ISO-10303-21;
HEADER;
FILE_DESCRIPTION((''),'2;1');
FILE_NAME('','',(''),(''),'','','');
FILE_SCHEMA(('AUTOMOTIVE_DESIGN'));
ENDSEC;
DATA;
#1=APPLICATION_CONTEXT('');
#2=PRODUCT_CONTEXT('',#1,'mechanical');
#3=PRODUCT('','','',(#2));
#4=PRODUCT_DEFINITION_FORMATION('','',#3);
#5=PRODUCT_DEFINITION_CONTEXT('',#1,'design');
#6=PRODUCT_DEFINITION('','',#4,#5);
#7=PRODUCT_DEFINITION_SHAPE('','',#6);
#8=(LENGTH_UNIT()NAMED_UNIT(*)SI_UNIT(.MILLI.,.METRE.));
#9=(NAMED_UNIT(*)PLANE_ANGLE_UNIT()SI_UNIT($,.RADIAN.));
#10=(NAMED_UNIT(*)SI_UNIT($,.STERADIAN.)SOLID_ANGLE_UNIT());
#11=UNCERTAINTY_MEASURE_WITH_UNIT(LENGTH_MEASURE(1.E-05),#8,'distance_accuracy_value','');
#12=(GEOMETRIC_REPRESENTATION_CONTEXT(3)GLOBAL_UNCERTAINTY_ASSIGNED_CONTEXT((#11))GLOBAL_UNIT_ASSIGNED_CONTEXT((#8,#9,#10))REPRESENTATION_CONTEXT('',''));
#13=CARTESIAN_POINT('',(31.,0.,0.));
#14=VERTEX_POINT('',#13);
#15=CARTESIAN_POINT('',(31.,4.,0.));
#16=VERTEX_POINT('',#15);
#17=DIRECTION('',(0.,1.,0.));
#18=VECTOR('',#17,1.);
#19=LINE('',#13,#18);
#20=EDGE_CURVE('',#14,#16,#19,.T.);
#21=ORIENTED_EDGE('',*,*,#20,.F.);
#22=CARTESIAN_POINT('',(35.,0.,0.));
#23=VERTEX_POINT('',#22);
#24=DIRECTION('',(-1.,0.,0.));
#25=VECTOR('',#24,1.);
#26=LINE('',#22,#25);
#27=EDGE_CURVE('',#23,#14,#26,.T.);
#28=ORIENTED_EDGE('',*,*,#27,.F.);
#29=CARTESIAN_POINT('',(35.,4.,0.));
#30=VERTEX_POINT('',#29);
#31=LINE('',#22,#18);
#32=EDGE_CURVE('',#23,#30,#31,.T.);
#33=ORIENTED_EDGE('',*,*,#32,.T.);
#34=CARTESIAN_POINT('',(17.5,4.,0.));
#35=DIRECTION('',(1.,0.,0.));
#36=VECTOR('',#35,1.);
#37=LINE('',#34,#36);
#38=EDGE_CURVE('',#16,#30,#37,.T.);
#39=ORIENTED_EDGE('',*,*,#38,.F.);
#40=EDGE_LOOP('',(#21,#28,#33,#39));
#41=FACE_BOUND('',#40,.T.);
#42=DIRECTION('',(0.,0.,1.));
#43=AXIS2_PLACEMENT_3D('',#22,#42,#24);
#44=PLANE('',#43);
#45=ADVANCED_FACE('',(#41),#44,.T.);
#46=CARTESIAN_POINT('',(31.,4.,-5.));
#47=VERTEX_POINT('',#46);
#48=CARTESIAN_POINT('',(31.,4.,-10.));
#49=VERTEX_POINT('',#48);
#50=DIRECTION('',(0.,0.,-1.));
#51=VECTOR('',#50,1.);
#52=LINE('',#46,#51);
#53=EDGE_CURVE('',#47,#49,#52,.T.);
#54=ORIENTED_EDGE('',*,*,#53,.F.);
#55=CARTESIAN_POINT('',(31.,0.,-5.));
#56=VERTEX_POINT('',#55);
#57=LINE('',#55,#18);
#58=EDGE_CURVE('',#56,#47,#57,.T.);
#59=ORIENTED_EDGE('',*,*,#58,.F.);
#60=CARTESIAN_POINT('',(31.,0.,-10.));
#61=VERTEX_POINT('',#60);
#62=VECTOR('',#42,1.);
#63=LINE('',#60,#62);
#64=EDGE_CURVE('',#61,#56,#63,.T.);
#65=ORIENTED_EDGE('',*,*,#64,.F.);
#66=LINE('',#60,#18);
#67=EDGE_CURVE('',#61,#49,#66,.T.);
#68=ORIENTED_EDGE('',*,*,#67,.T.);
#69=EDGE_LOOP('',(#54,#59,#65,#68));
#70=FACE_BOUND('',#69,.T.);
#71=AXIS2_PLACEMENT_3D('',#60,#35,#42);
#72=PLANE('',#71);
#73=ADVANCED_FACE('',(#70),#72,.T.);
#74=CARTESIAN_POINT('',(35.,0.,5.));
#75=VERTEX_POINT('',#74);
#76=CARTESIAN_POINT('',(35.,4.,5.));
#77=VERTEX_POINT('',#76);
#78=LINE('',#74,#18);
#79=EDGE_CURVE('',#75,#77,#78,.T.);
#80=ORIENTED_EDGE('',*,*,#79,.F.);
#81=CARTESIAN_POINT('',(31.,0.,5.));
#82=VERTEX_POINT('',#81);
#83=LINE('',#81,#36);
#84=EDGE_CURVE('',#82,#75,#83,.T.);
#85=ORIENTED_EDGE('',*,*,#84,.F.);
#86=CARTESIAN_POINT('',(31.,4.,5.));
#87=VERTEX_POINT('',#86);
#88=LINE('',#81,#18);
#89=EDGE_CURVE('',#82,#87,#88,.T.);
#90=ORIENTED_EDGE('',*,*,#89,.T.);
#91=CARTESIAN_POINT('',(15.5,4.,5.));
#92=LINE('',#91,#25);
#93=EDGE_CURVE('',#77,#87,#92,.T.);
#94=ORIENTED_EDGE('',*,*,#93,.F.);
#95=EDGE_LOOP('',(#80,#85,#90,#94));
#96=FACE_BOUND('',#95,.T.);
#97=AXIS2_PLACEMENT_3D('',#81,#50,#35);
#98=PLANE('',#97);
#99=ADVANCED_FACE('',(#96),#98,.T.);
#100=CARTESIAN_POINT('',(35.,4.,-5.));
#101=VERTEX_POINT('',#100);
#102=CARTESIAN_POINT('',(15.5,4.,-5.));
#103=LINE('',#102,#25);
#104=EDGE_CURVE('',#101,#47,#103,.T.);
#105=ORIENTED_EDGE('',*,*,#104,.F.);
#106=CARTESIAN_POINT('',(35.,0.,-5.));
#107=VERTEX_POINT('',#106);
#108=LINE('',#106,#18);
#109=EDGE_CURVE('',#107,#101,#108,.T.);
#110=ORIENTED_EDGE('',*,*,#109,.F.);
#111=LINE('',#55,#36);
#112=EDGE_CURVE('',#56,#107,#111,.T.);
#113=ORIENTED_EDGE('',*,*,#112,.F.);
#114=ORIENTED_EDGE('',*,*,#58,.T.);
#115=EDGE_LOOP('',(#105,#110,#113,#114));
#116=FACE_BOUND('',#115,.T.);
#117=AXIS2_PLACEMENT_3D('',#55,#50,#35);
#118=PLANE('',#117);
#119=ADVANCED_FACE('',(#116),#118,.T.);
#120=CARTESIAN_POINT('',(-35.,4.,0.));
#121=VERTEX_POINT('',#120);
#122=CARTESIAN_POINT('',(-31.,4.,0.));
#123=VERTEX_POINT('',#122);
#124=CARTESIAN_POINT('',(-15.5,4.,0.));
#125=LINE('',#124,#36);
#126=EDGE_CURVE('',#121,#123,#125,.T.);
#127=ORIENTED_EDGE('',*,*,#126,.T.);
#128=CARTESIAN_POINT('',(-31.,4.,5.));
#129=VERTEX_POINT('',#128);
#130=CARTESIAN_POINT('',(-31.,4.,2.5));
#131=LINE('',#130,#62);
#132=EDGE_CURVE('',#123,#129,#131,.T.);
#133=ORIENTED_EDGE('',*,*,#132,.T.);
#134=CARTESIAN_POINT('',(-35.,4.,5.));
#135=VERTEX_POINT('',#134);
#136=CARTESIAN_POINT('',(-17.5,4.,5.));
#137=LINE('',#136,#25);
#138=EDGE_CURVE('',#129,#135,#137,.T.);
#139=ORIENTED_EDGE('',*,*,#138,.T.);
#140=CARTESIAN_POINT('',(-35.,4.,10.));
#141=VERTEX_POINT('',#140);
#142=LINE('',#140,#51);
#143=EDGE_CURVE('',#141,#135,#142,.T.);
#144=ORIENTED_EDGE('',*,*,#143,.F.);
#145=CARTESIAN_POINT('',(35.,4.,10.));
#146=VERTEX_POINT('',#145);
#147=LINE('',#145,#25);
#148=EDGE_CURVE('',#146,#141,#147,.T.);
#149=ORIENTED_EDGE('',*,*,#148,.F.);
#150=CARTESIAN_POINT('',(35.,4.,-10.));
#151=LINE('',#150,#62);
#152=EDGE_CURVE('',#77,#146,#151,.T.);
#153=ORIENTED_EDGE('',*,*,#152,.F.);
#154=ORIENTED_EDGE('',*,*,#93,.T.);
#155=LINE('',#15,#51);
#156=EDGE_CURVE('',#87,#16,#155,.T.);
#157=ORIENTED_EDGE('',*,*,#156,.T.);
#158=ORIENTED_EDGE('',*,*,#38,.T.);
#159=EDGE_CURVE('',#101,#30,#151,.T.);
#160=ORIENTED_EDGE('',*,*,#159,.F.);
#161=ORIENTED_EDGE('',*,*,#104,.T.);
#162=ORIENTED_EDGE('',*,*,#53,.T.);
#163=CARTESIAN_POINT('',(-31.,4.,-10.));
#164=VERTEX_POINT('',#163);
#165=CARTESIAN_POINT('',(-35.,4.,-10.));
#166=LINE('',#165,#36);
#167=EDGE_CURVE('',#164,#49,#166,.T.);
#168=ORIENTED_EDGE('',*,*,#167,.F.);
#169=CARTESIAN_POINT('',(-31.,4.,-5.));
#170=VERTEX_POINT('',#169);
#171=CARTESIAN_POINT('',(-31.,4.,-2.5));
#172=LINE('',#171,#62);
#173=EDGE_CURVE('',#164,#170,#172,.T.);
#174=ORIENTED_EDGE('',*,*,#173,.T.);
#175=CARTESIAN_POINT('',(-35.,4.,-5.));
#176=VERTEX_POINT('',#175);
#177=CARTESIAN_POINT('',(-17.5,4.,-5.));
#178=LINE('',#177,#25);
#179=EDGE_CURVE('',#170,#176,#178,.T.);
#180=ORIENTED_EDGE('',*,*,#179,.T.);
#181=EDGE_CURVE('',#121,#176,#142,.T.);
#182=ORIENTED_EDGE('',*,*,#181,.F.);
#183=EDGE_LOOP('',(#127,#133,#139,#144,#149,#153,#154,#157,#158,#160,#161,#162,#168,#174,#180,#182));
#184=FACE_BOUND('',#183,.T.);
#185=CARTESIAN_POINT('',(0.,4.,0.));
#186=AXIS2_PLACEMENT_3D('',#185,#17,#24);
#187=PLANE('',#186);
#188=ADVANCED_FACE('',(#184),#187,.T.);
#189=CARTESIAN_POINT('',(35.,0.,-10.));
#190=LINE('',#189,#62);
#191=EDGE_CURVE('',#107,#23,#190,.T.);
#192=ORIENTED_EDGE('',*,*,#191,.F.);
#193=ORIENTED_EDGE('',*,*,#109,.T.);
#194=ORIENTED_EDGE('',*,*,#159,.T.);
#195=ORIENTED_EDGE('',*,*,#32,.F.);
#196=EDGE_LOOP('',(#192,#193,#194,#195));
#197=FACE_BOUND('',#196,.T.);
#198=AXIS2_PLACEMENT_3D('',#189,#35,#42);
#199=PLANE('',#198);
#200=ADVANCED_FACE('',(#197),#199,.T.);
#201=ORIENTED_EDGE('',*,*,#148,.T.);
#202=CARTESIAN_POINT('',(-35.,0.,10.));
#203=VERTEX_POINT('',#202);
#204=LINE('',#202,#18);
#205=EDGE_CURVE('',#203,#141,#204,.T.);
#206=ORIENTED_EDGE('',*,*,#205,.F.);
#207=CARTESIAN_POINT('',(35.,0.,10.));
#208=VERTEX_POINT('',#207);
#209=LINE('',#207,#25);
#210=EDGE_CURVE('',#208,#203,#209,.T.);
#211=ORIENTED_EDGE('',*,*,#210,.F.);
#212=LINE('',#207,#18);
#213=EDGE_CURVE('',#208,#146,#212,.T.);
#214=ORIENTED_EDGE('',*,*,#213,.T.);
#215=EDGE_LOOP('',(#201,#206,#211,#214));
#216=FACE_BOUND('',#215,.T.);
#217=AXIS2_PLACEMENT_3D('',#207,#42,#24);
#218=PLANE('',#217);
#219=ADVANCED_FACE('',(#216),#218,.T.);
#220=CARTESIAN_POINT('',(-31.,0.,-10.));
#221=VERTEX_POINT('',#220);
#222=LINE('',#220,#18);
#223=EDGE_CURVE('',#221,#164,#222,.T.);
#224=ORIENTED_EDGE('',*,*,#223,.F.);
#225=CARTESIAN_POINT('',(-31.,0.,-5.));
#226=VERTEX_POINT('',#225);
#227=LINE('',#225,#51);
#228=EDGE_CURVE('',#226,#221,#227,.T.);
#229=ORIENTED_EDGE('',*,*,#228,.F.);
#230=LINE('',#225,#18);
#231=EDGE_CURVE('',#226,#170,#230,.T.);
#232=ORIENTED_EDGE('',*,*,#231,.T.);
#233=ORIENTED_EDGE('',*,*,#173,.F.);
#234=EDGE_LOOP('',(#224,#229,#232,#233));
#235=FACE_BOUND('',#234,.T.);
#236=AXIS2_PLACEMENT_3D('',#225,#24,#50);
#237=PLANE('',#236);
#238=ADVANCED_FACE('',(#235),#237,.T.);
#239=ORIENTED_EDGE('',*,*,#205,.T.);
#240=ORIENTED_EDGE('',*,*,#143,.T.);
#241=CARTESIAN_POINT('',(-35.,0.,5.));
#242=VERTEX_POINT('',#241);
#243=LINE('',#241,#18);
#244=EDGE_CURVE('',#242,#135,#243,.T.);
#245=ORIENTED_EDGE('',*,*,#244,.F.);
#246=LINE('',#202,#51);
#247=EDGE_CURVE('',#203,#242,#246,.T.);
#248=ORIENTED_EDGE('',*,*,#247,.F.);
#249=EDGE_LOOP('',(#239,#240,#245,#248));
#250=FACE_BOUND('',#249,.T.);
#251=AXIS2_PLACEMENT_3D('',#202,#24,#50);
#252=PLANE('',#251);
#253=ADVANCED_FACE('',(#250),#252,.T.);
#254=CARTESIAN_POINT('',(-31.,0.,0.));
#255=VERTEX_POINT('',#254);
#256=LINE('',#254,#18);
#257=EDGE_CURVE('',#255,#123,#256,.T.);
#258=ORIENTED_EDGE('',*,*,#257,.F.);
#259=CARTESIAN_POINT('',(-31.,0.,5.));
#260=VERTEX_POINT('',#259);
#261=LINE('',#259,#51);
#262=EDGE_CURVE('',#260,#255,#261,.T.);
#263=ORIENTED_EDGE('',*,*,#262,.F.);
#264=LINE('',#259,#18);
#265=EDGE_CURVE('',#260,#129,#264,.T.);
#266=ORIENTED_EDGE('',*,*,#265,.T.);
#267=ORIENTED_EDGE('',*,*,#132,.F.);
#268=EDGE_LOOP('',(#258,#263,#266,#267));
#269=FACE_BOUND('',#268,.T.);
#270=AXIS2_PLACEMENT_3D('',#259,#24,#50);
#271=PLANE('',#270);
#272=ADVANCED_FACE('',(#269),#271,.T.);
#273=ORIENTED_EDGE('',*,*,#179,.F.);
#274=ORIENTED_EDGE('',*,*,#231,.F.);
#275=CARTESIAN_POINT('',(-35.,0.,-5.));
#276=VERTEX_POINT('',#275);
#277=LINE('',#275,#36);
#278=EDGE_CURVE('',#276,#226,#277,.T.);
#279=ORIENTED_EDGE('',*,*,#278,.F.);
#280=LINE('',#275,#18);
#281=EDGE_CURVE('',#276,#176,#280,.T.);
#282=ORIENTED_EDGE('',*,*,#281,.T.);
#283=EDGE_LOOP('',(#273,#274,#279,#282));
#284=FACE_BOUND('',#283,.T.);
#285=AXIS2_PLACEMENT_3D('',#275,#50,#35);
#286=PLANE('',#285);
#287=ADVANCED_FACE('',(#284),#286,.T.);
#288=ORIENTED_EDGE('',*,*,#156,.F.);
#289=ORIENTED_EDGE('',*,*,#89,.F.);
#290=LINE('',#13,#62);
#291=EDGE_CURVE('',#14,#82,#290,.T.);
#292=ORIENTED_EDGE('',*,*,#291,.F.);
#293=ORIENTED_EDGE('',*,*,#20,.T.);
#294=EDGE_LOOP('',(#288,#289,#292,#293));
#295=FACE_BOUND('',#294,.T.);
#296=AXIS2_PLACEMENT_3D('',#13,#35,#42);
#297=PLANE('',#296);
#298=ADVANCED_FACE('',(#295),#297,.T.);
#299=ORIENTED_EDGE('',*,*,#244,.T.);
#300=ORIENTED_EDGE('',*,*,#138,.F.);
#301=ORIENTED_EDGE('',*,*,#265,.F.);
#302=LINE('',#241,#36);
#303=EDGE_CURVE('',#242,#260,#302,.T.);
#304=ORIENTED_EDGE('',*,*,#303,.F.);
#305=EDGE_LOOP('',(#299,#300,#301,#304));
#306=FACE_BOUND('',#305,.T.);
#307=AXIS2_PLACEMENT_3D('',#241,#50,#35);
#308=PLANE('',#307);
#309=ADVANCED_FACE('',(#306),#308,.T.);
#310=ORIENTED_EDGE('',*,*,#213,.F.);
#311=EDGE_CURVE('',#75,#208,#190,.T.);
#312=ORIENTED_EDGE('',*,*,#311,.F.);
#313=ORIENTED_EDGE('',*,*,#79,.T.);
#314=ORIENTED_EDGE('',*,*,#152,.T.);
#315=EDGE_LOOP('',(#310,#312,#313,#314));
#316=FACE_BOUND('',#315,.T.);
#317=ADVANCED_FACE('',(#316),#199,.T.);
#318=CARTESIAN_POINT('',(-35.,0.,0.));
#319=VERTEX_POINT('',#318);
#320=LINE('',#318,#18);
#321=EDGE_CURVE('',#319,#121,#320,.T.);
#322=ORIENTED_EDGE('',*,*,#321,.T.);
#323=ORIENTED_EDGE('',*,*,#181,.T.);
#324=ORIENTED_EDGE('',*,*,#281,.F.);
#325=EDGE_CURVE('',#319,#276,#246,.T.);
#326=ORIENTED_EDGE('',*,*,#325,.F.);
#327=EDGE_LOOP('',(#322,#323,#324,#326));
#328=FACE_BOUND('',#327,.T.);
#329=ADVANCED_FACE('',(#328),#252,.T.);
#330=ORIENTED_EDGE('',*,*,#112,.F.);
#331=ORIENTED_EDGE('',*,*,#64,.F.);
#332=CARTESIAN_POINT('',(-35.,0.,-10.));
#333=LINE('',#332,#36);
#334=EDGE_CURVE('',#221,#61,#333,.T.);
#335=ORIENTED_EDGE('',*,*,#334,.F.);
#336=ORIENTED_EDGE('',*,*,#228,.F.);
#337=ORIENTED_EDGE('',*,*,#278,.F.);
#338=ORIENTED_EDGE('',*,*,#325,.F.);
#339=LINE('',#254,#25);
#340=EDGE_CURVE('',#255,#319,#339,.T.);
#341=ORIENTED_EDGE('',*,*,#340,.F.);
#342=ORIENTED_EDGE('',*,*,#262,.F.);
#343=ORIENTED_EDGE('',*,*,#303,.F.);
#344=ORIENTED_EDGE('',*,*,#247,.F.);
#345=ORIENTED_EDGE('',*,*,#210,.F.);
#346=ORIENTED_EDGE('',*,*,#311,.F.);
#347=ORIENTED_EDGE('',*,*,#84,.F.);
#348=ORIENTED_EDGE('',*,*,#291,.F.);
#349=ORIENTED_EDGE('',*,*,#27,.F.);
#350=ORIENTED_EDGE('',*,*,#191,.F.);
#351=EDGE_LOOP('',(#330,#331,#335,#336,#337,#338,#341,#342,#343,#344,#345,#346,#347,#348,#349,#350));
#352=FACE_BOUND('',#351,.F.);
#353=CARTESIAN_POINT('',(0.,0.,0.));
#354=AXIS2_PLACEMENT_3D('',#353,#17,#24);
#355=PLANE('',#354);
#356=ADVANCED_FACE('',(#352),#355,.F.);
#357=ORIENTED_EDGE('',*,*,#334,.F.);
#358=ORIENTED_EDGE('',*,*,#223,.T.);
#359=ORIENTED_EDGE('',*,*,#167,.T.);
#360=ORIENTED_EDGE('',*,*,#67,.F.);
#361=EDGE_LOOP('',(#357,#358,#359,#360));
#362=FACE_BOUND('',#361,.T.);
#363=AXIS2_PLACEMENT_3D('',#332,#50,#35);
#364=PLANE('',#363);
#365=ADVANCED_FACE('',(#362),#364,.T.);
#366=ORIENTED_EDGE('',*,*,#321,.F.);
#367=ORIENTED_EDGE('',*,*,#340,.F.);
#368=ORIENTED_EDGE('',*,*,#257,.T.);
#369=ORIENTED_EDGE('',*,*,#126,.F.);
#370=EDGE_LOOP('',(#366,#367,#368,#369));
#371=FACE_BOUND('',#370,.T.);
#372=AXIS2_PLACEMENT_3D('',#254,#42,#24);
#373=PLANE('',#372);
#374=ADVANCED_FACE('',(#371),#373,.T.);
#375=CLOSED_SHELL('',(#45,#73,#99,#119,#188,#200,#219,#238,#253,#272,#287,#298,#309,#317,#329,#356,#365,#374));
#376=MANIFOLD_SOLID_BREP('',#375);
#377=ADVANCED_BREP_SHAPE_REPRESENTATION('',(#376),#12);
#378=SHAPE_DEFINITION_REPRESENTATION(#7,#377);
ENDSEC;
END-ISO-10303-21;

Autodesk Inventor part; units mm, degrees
ref_plane "YZ Plane" through (0, 0, 0) normal (1, 0, 0) x (0, 1, 0)
ref_plane "XZ Plane" through (0, 0, 0) normal (0, 1, 0) x (-1, 0, 0)
ref_plane "XY Plane" through (0, 0, 0) normal (0, 0, 1) x (1, 0, 0)
sketch "Schizzo1" plane through (0, 0, 0) normal (0, 1, 0) x (-1, 0, 0)
  line L0 (-35, 10) -> (35, 10)
  line L1 (35, 10) -> (35, -10)
  line L2 (35, -10) -> (-35, -10)
  line L3 (-35, -10) -> (-35, 10)
  line L4 (-35, 10) -> (35, -10) construction
  line L5 (35, 10) -> (-35, -10) construction
  point P0 (0, 0)
  dimension "d0" = 70
  dimension "d1" = 20
extrude "Estrusione1" add sketch "Schizzo1" along normal blind 4
sketch "Schizzo2" plane through (0, 0, 0) normal (0, -1, 0) x (1, 0, 0)
  line L0 (-31, 0) -> (-35, 0)
  line L1 (-35, 0) -> (-35, 5)
  line L2 (-35, 5) -> (-31, 5)
  line L3 (-31, 5) -> (-31, 0)
  line L4 (-35, -5) -> (-31, -5)
  line L5 (-31, -5) -> (-31, -10)
  line L6 (-31, -10) -> (-35, -10)
  line L7 (-35, -10) -> (-35, -5)
  line L8 (35, 0) -> (31, 0)
  line L9 (31, 0) -> (31, 5)
  line L10 (31, 5) -> (35, 5)
  line L11 (35, 5) -> (35, 0)
  line L12 (31, -5) -> (35, -5)
  line L13 (35, -5) -> (35, -10)
  line L14 (35, -10) -> (31, -10)
  line L15 (31, -10) -> (31, -5)
  point P0 (0, 0)
extrude "Estrusione2" cut sketch "Schizzo2" against normal blind 10
properties part number "sotto"
